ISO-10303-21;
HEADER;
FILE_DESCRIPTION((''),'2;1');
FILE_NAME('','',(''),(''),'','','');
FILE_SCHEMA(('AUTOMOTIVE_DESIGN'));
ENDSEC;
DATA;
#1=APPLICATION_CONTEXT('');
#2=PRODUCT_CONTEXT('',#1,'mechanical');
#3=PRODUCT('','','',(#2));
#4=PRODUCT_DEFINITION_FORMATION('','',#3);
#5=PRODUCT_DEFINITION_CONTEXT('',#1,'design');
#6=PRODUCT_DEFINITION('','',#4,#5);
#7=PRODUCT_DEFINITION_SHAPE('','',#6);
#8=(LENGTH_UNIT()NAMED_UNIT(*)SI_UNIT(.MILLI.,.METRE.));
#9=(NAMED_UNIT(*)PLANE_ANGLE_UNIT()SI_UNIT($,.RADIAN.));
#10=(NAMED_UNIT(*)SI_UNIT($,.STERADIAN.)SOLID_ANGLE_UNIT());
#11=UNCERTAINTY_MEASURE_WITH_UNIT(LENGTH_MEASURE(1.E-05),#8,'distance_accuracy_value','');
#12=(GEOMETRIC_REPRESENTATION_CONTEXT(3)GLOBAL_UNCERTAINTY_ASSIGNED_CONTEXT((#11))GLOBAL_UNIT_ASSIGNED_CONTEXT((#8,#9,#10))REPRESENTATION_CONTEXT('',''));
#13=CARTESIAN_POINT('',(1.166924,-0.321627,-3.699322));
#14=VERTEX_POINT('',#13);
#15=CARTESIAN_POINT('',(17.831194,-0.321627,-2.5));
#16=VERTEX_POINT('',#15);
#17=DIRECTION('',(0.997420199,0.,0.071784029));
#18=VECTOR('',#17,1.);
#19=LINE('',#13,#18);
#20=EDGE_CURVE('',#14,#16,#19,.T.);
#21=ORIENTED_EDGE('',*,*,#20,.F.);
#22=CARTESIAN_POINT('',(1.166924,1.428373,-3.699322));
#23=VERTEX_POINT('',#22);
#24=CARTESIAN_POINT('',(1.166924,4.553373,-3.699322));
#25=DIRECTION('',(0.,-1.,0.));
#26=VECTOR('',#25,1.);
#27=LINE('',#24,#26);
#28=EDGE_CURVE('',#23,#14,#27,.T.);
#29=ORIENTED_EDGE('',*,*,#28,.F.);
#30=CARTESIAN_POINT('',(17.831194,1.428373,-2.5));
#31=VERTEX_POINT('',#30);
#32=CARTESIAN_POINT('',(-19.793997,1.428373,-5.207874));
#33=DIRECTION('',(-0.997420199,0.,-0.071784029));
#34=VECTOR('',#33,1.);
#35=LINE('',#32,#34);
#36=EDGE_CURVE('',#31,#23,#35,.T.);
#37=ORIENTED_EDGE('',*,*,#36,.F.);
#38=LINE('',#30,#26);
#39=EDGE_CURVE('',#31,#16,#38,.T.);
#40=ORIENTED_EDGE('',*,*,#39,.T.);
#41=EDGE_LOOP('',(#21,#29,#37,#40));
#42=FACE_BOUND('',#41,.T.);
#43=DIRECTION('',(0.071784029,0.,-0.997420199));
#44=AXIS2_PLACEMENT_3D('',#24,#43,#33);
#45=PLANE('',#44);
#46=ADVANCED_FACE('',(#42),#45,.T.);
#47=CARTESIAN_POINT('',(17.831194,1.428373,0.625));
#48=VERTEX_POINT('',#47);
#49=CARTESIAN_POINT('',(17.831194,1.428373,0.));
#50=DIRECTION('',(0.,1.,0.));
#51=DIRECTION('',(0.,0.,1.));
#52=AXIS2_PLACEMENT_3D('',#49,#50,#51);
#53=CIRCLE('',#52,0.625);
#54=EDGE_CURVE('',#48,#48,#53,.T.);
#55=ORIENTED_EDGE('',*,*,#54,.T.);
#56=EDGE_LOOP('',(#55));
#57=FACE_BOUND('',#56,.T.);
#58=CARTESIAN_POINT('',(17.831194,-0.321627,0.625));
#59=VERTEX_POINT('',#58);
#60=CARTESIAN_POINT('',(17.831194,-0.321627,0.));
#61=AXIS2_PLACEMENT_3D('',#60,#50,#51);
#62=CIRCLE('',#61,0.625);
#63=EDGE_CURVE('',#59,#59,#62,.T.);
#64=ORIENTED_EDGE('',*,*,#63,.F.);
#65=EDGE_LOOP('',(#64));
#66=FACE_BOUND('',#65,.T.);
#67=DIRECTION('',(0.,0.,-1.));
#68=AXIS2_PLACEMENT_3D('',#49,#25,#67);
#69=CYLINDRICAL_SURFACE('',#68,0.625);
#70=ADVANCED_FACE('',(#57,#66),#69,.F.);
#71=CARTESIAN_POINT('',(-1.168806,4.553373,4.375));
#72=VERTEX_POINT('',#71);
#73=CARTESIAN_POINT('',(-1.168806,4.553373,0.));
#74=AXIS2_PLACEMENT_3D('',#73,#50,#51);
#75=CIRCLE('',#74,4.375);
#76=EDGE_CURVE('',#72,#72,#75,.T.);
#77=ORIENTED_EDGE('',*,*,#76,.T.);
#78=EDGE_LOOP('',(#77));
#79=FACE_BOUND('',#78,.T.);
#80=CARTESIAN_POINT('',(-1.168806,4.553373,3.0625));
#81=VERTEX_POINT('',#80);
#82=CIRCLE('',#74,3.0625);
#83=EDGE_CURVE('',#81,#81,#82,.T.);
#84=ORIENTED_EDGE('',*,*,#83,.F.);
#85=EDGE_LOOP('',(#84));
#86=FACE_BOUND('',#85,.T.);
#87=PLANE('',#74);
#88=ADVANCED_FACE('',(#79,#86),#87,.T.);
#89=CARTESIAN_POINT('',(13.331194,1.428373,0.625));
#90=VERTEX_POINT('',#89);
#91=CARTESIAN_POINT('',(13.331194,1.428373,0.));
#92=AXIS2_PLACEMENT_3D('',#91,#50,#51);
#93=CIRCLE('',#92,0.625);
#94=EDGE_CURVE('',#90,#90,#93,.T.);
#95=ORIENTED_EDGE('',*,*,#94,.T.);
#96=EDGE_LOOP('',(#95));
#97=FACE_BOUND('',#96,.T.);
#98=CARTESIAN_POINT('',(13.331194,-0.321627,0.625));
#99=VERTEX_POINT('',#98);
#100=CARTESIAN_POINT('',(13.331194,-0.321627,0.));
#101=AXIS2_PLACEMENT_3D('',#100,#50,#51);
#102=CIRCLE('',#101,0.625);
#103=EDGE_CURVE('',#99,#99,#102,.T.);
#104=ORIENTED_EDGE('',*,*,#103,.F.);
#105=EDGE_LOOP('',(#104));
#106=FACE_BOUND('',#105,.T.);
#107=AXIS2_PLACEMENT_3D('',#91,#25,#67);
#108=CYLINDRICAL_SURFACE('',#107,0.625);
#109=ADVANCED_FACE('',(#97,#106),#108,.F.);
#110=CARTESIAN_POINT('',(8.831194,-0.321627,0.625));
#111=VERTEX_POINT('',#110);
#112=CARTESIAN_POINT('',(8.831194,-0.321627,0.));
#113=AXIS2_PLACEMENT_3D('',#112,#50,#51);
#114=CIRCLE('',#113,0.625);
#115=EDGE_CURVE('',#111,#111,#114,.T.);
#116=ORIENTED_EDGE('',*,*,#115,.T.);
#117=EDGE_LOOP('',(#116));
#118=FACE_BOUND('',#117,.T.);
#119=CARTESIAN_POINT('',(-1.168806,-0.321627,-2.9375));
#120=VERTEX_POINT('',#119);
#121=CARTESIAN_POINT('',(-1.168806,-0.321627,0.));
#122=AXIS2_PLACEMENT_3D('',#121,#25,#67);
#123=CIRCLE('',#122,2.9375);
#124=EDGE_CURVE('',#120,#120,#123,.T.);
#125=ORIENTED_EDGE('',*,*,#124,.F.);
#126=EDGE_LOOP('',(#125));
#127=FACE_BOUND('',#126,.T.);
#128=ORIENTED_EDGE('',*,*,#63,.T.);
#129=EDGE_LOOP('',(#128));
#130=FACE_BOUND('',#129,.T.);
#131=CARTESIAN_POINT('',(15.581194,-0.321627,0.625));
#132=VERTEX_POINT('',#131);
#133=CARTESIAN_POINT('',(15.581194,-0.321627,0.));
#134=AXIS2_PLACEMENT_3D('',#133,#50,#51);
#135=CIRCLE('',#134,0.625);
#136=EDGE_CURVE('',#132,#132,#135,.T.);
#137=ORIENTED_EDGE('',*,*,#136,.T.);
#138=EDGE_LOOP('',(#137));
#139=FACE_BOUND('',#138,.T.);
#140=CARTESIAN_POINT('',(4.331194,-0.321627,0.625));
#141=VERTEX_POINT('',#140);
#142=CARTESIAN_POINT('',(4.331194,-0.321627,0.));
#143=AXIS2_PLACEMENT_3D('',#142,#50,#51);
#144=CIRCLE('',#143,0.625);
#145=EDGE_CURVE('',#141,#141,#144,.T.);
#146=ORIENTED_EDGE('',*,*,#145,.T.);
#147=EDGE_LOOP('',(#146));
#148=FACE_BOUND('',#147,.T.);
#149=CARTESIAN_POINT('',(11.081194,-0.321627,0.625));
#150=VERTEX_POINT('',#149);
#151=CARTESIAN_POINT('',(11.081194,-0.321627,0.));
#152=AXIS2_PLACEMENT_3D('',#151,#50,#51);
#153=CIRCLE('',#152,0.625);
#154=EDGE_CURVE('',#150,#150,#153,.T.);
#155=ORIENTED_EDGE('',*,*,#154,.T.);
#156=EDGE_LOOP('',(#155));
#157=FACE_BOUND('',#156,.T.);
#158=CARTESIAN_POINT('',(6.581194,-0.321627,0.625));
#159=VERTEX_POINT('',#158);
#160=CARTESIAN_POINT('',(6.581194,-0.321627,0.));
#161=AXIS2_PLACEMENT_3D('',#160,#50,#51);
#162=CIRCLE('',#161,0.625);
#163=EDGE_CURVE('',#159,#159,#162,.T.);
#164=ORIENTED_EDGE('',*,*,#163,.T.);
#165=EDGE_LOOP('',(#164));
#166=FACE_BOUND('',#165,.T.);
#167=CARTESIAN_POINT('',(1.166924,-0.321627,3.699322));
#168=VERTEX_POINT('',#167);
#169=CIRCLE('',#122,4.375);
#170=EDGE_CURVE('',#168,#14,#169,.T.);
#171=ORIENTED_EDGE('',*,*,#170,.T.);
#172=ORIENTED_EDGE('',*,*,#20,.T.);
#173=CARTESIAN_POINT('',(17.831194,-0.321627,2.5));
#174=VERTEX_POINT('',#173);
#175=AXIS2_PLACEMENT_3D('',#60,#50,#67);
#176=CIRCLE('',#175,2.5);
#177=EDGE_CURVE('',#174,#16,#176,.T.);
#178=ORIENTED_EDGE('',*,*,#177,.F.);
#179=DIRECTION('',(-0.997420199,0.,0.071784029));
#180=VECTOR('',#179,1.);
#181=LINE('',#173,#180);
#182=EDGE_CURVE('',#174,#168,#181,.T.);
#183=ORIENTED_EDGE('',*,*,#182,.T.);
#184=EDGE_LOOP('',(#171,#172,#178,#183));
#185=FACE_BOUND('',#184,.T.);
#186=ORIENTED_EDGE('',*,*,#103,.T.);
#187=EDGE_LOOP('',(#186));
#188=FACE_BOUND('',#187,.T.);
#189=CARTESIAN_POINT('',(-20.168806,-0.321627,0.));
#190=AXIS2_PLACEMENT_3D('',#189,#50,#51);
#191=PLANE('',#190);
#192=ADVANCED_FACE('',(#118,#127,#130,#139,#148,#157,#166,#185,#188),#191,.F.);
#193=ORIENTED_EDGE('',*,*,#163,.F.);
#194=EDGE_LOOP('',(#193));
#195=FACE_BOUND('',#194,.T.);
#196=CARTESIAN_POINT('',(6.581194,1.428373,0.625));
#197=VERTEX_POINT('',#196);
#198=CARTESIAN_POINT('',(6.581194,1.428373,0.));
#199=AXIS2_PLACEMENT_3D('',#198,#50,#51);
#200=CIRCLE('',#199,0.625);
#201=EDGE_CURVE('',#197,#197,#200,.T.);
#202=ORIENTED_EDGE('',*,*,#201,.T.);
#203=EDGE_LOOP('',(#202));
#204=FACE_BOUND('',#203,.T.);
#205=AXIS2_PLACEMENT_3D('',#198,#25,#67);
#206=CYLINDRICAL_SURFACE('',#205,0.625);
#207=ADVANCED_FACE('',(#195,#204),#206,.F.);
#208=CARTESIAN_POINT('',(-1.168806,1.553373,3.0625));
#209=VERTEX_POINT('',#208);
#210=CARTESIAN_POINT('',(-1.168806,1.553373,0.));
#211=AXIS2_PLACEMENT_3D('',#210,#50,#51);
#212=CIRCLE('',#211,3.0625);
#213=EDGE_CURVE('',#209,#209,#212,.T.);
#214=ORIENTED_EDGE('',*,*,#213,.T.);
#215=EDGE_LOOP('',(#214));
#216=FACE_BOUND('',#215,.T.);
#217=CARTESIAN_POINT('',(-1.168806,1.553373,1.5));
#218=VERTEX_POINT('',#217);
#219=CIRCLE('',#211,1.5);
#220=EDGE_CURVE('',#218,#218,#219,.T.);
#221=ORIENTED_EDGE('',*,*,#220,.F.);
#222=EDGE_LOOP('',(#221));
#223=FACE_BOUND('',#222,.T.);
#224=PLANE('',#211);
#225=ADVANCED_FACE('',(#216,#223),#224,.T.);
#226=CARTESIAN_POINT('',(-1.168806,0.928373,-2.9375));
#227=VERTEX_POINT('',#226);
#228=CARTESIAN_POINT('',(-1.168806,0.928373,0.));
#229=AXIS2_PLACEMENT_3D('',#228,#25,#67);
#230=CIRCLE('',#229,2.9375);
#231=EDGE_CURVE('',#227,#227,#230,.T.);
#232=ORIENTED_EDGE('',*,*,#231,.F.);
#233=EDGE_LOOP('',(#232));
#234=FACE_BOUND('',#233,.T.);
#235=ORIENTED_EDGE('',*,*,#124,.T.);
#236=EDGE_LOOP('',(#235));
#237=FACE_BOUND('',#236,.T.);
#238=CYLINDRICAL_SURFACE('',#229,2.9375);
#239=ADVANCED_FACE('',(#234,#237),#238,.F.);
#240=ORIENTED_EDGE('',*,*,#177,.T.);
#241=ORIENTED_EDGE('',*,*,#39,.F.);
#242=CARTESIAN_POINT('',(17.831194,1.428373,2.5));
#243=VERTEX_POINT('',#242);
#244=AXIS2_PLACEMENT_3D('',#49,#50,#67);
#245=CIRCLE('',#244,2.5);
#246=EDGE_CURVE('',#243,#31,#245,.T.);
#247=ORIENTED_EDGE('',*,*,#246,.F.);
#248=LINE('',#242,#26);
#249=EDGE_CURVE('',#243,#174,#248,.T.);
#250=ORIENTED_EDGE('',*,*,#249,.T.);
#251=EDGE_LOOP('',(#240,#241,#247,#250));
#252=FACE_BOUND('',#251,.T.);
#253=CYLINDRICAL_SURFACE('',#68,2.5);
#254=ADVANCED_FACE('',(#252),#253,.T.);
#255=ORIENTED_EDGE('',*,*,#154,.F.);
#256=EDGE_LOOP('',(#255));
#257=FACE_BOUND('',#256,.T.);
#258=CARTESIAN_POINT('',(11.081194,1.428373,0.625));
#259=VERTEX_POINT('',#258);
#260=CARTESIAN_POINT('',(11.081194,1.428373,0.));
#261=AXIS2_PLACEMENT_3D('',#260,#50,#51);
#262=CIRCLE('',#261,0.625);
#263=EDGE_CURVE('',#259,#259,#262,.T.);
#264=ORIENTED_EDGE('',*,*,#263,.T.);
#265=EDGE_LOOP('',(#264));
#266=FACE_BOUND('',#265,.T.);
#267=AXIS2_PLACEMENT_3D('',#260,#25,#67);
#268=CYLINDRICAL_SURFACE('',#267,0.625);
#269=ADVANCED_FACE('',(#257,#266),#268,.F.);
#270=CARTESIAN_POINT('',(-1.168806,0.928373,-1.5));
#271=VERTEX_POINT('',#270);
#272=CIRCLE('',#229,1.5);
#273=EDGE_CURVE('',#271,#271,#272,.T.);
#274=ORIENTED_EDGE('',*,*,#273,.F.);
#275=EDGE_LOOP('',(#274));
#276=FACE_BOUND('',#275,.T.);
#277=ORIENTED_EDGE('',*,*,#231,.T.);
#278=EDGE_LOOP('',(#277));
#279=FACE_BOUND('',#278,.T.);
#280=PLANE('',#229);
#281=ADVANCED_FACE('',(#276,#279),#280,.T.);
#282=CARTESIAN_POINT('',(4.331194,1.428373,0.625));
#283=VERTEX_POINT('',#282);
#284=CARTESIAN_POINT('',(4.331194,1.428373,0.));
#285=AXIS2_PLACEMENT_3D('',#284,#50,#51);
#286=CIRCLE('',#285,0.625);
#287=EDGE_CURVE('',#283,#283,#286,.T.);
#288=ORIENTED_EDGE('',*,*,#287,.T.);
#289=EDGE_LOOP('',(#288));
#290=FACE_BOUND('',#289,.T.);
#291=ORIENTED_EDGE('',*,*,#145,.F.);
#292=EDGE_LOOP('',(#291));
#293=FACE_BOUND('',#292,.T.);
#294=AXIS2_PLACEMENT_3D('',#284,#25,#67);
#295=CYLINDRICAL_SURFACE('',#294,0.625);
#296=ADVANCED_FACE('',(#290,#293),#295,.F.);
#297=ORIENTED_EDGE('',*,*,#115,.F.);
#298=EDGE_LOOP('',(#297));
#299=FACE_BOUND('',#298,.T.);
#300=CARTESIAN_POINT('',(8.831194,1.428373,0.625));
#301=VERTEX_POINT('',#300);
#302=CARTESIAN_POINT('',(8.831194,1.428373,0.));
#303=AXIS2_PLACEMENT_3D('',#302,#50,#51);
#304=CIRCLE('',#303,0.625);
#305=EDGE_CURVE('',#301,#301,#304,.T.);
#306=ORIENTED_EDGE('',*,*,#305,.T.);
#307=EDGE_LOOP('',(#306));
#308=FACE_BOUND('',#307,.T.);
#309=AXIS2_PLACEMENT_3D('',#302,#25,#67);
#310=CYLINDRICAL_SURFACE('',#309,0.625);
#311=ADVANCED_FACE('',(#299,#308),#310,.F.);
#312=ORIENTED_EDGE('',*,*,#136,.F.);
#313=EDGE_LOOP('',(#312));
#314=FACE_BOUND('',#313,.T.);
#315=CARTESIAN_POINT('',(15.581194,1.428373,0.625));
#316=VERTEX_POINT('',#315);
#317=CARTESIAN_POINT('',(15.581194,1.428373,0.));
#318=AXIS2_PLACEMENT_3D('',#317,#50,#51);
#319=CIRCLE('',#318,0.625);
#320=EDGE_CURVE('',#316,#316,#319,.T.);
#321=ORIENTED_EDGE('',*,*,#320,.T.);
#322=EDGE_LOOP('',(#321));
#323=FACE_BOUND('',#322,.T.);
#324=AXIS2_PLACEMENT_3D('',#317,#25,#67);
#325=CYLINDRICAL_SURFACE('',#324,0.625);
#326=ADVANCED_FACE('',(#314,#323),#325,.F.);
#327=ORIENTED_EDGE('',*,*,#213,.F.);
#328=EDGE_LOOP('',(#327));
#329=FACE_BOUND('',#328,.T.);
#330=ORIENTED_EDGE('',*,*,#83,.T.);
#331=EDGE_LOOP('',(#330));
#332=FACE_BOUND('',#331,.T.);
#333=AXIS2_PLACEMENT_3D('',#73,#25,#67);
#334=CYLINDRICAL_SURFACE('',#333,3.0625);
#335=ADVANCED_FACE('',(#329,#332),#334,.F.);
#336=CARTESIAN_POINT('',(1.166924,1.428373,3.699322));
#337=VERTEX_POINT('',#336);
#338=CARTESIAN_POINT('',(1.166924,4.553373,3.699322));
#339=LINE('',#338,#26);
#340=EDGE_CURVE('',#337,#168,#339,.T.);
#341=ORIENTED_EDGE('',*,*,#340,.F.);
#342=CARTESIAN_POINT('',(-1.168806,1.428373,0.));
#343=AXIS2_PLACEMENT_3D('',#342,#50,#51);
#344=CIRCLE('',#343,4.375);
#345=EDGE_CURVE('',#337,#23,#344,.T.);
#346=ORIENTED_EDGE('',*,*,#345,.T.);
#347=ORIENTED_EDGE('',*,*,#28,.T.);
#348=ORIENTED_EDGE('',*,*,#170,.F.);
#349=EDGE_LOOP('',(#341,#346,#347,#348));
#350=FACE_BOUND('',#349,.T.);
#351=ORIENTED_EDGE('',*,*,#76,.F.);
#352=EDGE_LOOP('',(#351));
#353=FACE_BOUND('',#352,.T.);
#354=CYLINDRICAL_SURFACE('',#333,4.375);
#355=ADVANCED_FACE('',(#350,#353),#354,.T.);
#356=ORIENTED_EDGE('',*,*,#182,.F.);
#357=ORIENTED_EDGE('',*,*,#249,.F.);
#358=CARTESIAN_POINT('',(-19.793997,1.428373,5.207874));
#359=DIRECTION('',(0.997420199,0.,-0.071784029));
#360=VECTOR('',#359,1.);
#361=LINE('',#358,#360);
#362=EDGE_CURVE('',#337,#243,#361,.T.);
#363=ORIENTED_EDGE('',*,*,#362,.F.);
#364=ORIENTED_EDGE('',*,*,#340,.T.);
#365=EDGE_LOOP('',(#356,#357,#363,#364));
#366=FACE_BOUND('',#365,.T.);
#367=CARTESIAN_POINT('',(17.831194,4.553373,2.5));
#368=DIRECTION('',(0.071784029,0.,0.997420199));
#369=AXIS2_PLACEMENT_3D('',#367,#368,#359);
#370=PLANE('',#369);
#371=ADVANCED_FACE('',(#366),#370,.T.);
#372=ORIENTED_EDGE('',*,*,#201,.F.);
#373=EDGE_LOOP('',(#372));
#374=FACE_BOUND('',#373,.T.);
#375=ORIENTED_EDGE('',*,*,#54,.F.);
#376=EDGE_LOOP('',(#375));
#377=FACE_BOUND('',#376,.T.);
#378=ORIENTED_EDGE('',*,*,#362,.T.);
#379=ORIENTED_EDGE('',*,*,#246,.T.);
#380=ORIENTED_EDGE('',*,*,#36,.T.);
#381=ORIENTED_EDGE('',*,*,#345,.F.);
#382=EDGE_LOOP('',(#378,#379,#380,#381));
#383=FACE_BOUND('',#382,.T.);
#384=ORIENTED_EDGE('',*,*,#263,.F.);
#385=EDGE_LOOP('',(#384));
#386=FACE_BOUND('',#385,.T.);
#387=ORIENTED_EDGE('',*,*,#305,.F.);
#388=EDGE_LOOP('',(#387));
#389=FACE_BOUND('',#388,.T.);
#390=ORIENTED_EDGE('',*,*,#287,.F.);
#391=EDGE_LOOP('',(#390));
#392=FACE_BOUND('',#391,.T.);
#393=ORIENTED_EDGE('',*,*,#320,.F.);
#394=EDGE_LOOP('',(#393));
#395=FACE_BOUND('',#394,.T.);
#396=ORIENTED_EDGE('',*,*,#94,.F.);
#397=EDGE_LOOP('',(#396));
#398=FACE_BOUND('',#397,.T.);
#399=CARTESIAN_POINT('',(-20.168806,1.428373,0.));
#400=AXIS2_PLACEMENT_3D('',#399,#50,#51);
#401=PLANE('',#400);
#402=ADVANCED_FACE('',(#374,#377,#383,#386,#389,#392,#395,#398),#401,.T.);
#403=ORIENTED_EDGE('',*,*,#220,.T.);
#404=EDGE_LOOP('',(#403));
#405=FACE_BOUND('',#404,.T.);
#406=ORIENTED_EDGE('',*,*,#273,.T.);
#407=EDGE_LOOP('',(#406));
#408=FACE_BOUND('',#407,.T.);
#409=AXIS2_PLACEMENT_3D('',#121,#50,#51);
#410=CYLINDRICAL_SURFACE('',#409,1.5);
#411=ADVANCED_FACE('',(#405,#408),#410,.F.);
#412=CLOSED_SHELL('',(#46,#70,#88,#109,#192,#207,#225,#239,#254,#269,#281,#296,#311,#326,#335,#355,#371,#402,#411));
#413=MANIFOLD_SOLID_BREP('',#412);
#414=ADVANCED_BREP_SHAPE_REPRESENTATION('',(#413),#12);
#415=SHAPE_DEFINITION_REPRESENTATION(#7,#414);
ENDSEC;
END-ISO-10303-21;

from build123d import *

# Parameters (mm, degrees)
SKETCH1_R           = 0.5
BOSS_EXTRUDE1_DEPTH = 1.4
SKETCH2_R           = 2.35
CUT_EXTRUDE1_DEPTH  = 1
SKETCH3_R           = 3.5
SKETCH3_R_2         = 2.45
BOSS_EXTRUDE2_DEPTH = 2.5
SKETCH4_R           = 1.2
CUT_EXTRUDE2_DEPTH  = 20.282440198
SKETCH5_R           = 2.45
SKETCH5_R_2         = 1.2
BOSS_EXTRUDE3_DEPTH = 0.1
SKETCH6_W           = 35.735260114
SKETCH6_H           = 17.672039004
CUT_EXTRUDE4_DEPTH  = 20.513392837
CUT_EXTRUDE5_DEPTH  = 18.980545042
SCALE1_SCALE        = 0.5
SCALE2_SCALE        = 2.5


with BuildPart() as part:
    # Sketch1 → Boss-Extrude1 (new body)
    with BuildSketch(Plane(origin=(0, 0, 0), x_dir=(1, 0, 0), z_dir=(0, 1, 0))):
        with BuildLine():
            Line((-15.2, 2), (-2, 2.95))
            Line((-2, 2.95), (-2, 6.35))
            ThreePointArc((-2, 6.35), (0, 8.35), (2, 6.35))
            Line((2, 6.35), (2, 3.5))
            Line((2, 3.5), (15.2, 2))
            ThreePointArc((15.2, 2), (17.2, 0), (15.2, -2))
            Line((15.2, -2), (2, -3.5))
            Line((2, -3.5), (2, -6.35))
            ThreePointArc((2, -6.35), (0, -8.35), (-2, -6.35))
            Line((-2, -6.35), (-2, -2.95))
            Line((-2, -2.95), (-15.2, -2))
            ThreePointArc((-15.2, -2), (-17.2, 0), (-15.2, 2))
        make_face()
        with Locations((0, 6.35)):
            Circle(SKETCH1_R, mode=Mode.SUBTRACT)
        with Locations((0, 4.55)):
            Circle(SKETCH1_R, mode=Mode.SUBTRACT)
        with Locations((0, -4.55)):
            Circle(SKETCH1_R, mode=Mode.SUBTRACT)
        with Locations((0, -6.35)):
            Circle(SKETCH1_R, mode=Mode.SUBTRACT)
        with Locations((-15.2, 0)):
            Circle(SKETCH1_R, mode=Mode.SUBTRACT)
        with Locations(Location((15.2, 0, 0), (0, 0, 270))):
            Circle(SKETCH1_R, mode=Mode.SUBTRACT)
        with Locations((-13.4, 0)):
            Circle(SKETCH1_R, mode=Mode.SUBTRACT)
        with Locations((-11.6, 0)):
            Circle(SKETCH1_R, mode=Mode.SUBTRACT)
        with Locations((-9.8, 0)):
            Circle(SKETCH1_R, mode=Mode.SUBTRACT)
        with Locations((-8, 0)):
            Circle(SKETCH1_R, mode=Mode.SUBTRACT)
        with Locations((-6.2, 0)):
            Circle(SKETCH1_R, mode=Mode.SUBTRACT)
        with Locations((-4.4, 0)):
            Circle(SKETCH1_R, mode=Mode.SUBTRACT)
        with Locations(Location((13.4, 0, 0), (0, 0, 270))):
            Circle(SKETCH1_R, mode=Mode.SUBTRACT)
        with Locations(Location((11.6, 0, 0), (0, 0, 270))):
            Circle(SKETCH1_R, mode=Mode.SUBTRACT)
        with Locations(Location((9.8, 0, 0), (0, 0, 270))):
            Circle(SKETCH1_R, mode=Mode.SUBTRACT)
        with Locations(Location((8, 0, 0), (0, 0, 270))):
            Circle(SKETCH1_R, mode=Mode.SUBTRACT)
        with Locations(Location((6.2, 0, 0), (0, 0, 270))):
            Circle(SKETCH1_R, mode=Mode.SUBTRACT)
        with Locations(Location((4.4, 0, 0), (0, 0, 270))):
            Circle(SKETCH1_R, mode=Mode.SUBTRACT)
    extrude(amount=BOSS_EXTRUDE1_DEPTH)

    # Sketch2 → Cut-Extrude1 (cut)
    with BuildSketch(Plane.XZ):
        with Locations(Location((0, 0, 0), (0, 0, 270))):
            Circle(SKETCH2_R)
    extrude(amount=-CUT_EXTRUDE1_DEPTH, mode=Mode.SUBTRACT)

    # Sketch3 → Boss-Extrude2 (add)
    with BuildSketch(Plane(origin=(0, 1.4, 0), x_dir=(1, 0, 0), z_dir=(0, 1, 0))):
        with Locations(Location((0, 0, 0), (0, 0, 57.731921145))):
            Circle(SKETCH3_R)
        with Locations(Location((0, 0, 0), (0, 0, 270))):
            Circle(SKETCH3_R_2, mode=Mode.SUBTRACT)
    extrude(amount=BOSS_EXTRUDE2_DEPTH)

    # Sketch4 → Cut-Extrude2 (cut, through all)
    with BuildSketch(Plane(origin=(0, 1.4, 0), x_dir=(1, 0, 0), z_dir=(0, 1, 0))):
        with Locations(Location((0, 0, 0), (0, 0, 270))):
            Circle(SKETCH4_R)
    extrude(amount=-CUT_EXTRUDE2_DEPTH, mode=Mode.SUBTRACT)

    # Sketch5 → Boss-Extrude3 (add)
    with BuildSketch(Plane(origin=(0, 1.4, 0), x_dir=(1, 0, 0), z_dir=(0, 1, 0))):
        with Locations(Location((0, 0, 0), (0, 0, 270))):
            Circle(SKETCH5_R)
        with Locations(Location((0, 0, 0), (0, 0, 270))):
            Circle(SKETCH5_R_2, mode=Mode.SUBTRACT)
    extrude(amount=BOSS_EXTRUDE3_DEPTH)

    # Sketch6 → Cut-Extrude4 (cut, through all)
    with BuildSketch(Plane.XZ):
        Rectangle(SKETCH6_W, SKETCH6_H)
        with BuildLine():
            Line((-1.868584713, -2.959457918), (-15.2, -2))
            ThreePointArc((-15.2, -2), (-17.2, 0), (-15.2, 2))
            Line((-15.2, 2), (-1.868584713, 2.959457918))
            ThreePointArc((-1.868584713, 2.959457918), (0, 3.5), (1.868584713, 2.959457918))
            Line((1.868584713, 2.959457918), (15.2, 2))
            ThreePointArc((15.2, 2), (17.2, 0), (15.2, -2))
            Line((15.2, -2), (1.868584713, -2.959457918))
            ThreePointArc((1.868584713, -2.959457918), (0, -3.5), (-1.868584713, -2.959457918))
        make_face(mode=Mode.SUBTRACT)
    extrude(amount=-CUT_EXTRUDE4_DEPTH, mode=Mode.SUBTRACT)

    # Sketch7 → Cut-Extrude5 (cut, through all)
    with BuildSketch(Plane.XZ):
        with BuildLine():
            Line((0, 3.5), (-17.731768104, 3.5))
            Line((-17.731768104, 3.5), (-17.731768104, -3.5))
            Line((-17.731768104, -3.5), (0, -3.5))
            ThreePointArc((0, -3.5), (-3.5, 0), (0, 3.5))
        make_face()
    extrude(amount=-CUT_EXTRUDE5_DEPTH, mode=Mode.SUBTRACT)


with BuildPart() as part_1:
    # Scale1: scaled about (4.675225988, 1.286509447, 0)
    add(part.part.scale(SCALE1_SCALE).moved(Location((2.337612994, 0.643254724, 0))))


with BuildPart() as part_2:
    # Scale2: scaled about (4.675225988, 1.286509447, 0)
    add(part_1.part.scale(SCALE2_SCALE).moved(Location((-7.012838982, -1.92976417, 0))))


solid = part_2.part
